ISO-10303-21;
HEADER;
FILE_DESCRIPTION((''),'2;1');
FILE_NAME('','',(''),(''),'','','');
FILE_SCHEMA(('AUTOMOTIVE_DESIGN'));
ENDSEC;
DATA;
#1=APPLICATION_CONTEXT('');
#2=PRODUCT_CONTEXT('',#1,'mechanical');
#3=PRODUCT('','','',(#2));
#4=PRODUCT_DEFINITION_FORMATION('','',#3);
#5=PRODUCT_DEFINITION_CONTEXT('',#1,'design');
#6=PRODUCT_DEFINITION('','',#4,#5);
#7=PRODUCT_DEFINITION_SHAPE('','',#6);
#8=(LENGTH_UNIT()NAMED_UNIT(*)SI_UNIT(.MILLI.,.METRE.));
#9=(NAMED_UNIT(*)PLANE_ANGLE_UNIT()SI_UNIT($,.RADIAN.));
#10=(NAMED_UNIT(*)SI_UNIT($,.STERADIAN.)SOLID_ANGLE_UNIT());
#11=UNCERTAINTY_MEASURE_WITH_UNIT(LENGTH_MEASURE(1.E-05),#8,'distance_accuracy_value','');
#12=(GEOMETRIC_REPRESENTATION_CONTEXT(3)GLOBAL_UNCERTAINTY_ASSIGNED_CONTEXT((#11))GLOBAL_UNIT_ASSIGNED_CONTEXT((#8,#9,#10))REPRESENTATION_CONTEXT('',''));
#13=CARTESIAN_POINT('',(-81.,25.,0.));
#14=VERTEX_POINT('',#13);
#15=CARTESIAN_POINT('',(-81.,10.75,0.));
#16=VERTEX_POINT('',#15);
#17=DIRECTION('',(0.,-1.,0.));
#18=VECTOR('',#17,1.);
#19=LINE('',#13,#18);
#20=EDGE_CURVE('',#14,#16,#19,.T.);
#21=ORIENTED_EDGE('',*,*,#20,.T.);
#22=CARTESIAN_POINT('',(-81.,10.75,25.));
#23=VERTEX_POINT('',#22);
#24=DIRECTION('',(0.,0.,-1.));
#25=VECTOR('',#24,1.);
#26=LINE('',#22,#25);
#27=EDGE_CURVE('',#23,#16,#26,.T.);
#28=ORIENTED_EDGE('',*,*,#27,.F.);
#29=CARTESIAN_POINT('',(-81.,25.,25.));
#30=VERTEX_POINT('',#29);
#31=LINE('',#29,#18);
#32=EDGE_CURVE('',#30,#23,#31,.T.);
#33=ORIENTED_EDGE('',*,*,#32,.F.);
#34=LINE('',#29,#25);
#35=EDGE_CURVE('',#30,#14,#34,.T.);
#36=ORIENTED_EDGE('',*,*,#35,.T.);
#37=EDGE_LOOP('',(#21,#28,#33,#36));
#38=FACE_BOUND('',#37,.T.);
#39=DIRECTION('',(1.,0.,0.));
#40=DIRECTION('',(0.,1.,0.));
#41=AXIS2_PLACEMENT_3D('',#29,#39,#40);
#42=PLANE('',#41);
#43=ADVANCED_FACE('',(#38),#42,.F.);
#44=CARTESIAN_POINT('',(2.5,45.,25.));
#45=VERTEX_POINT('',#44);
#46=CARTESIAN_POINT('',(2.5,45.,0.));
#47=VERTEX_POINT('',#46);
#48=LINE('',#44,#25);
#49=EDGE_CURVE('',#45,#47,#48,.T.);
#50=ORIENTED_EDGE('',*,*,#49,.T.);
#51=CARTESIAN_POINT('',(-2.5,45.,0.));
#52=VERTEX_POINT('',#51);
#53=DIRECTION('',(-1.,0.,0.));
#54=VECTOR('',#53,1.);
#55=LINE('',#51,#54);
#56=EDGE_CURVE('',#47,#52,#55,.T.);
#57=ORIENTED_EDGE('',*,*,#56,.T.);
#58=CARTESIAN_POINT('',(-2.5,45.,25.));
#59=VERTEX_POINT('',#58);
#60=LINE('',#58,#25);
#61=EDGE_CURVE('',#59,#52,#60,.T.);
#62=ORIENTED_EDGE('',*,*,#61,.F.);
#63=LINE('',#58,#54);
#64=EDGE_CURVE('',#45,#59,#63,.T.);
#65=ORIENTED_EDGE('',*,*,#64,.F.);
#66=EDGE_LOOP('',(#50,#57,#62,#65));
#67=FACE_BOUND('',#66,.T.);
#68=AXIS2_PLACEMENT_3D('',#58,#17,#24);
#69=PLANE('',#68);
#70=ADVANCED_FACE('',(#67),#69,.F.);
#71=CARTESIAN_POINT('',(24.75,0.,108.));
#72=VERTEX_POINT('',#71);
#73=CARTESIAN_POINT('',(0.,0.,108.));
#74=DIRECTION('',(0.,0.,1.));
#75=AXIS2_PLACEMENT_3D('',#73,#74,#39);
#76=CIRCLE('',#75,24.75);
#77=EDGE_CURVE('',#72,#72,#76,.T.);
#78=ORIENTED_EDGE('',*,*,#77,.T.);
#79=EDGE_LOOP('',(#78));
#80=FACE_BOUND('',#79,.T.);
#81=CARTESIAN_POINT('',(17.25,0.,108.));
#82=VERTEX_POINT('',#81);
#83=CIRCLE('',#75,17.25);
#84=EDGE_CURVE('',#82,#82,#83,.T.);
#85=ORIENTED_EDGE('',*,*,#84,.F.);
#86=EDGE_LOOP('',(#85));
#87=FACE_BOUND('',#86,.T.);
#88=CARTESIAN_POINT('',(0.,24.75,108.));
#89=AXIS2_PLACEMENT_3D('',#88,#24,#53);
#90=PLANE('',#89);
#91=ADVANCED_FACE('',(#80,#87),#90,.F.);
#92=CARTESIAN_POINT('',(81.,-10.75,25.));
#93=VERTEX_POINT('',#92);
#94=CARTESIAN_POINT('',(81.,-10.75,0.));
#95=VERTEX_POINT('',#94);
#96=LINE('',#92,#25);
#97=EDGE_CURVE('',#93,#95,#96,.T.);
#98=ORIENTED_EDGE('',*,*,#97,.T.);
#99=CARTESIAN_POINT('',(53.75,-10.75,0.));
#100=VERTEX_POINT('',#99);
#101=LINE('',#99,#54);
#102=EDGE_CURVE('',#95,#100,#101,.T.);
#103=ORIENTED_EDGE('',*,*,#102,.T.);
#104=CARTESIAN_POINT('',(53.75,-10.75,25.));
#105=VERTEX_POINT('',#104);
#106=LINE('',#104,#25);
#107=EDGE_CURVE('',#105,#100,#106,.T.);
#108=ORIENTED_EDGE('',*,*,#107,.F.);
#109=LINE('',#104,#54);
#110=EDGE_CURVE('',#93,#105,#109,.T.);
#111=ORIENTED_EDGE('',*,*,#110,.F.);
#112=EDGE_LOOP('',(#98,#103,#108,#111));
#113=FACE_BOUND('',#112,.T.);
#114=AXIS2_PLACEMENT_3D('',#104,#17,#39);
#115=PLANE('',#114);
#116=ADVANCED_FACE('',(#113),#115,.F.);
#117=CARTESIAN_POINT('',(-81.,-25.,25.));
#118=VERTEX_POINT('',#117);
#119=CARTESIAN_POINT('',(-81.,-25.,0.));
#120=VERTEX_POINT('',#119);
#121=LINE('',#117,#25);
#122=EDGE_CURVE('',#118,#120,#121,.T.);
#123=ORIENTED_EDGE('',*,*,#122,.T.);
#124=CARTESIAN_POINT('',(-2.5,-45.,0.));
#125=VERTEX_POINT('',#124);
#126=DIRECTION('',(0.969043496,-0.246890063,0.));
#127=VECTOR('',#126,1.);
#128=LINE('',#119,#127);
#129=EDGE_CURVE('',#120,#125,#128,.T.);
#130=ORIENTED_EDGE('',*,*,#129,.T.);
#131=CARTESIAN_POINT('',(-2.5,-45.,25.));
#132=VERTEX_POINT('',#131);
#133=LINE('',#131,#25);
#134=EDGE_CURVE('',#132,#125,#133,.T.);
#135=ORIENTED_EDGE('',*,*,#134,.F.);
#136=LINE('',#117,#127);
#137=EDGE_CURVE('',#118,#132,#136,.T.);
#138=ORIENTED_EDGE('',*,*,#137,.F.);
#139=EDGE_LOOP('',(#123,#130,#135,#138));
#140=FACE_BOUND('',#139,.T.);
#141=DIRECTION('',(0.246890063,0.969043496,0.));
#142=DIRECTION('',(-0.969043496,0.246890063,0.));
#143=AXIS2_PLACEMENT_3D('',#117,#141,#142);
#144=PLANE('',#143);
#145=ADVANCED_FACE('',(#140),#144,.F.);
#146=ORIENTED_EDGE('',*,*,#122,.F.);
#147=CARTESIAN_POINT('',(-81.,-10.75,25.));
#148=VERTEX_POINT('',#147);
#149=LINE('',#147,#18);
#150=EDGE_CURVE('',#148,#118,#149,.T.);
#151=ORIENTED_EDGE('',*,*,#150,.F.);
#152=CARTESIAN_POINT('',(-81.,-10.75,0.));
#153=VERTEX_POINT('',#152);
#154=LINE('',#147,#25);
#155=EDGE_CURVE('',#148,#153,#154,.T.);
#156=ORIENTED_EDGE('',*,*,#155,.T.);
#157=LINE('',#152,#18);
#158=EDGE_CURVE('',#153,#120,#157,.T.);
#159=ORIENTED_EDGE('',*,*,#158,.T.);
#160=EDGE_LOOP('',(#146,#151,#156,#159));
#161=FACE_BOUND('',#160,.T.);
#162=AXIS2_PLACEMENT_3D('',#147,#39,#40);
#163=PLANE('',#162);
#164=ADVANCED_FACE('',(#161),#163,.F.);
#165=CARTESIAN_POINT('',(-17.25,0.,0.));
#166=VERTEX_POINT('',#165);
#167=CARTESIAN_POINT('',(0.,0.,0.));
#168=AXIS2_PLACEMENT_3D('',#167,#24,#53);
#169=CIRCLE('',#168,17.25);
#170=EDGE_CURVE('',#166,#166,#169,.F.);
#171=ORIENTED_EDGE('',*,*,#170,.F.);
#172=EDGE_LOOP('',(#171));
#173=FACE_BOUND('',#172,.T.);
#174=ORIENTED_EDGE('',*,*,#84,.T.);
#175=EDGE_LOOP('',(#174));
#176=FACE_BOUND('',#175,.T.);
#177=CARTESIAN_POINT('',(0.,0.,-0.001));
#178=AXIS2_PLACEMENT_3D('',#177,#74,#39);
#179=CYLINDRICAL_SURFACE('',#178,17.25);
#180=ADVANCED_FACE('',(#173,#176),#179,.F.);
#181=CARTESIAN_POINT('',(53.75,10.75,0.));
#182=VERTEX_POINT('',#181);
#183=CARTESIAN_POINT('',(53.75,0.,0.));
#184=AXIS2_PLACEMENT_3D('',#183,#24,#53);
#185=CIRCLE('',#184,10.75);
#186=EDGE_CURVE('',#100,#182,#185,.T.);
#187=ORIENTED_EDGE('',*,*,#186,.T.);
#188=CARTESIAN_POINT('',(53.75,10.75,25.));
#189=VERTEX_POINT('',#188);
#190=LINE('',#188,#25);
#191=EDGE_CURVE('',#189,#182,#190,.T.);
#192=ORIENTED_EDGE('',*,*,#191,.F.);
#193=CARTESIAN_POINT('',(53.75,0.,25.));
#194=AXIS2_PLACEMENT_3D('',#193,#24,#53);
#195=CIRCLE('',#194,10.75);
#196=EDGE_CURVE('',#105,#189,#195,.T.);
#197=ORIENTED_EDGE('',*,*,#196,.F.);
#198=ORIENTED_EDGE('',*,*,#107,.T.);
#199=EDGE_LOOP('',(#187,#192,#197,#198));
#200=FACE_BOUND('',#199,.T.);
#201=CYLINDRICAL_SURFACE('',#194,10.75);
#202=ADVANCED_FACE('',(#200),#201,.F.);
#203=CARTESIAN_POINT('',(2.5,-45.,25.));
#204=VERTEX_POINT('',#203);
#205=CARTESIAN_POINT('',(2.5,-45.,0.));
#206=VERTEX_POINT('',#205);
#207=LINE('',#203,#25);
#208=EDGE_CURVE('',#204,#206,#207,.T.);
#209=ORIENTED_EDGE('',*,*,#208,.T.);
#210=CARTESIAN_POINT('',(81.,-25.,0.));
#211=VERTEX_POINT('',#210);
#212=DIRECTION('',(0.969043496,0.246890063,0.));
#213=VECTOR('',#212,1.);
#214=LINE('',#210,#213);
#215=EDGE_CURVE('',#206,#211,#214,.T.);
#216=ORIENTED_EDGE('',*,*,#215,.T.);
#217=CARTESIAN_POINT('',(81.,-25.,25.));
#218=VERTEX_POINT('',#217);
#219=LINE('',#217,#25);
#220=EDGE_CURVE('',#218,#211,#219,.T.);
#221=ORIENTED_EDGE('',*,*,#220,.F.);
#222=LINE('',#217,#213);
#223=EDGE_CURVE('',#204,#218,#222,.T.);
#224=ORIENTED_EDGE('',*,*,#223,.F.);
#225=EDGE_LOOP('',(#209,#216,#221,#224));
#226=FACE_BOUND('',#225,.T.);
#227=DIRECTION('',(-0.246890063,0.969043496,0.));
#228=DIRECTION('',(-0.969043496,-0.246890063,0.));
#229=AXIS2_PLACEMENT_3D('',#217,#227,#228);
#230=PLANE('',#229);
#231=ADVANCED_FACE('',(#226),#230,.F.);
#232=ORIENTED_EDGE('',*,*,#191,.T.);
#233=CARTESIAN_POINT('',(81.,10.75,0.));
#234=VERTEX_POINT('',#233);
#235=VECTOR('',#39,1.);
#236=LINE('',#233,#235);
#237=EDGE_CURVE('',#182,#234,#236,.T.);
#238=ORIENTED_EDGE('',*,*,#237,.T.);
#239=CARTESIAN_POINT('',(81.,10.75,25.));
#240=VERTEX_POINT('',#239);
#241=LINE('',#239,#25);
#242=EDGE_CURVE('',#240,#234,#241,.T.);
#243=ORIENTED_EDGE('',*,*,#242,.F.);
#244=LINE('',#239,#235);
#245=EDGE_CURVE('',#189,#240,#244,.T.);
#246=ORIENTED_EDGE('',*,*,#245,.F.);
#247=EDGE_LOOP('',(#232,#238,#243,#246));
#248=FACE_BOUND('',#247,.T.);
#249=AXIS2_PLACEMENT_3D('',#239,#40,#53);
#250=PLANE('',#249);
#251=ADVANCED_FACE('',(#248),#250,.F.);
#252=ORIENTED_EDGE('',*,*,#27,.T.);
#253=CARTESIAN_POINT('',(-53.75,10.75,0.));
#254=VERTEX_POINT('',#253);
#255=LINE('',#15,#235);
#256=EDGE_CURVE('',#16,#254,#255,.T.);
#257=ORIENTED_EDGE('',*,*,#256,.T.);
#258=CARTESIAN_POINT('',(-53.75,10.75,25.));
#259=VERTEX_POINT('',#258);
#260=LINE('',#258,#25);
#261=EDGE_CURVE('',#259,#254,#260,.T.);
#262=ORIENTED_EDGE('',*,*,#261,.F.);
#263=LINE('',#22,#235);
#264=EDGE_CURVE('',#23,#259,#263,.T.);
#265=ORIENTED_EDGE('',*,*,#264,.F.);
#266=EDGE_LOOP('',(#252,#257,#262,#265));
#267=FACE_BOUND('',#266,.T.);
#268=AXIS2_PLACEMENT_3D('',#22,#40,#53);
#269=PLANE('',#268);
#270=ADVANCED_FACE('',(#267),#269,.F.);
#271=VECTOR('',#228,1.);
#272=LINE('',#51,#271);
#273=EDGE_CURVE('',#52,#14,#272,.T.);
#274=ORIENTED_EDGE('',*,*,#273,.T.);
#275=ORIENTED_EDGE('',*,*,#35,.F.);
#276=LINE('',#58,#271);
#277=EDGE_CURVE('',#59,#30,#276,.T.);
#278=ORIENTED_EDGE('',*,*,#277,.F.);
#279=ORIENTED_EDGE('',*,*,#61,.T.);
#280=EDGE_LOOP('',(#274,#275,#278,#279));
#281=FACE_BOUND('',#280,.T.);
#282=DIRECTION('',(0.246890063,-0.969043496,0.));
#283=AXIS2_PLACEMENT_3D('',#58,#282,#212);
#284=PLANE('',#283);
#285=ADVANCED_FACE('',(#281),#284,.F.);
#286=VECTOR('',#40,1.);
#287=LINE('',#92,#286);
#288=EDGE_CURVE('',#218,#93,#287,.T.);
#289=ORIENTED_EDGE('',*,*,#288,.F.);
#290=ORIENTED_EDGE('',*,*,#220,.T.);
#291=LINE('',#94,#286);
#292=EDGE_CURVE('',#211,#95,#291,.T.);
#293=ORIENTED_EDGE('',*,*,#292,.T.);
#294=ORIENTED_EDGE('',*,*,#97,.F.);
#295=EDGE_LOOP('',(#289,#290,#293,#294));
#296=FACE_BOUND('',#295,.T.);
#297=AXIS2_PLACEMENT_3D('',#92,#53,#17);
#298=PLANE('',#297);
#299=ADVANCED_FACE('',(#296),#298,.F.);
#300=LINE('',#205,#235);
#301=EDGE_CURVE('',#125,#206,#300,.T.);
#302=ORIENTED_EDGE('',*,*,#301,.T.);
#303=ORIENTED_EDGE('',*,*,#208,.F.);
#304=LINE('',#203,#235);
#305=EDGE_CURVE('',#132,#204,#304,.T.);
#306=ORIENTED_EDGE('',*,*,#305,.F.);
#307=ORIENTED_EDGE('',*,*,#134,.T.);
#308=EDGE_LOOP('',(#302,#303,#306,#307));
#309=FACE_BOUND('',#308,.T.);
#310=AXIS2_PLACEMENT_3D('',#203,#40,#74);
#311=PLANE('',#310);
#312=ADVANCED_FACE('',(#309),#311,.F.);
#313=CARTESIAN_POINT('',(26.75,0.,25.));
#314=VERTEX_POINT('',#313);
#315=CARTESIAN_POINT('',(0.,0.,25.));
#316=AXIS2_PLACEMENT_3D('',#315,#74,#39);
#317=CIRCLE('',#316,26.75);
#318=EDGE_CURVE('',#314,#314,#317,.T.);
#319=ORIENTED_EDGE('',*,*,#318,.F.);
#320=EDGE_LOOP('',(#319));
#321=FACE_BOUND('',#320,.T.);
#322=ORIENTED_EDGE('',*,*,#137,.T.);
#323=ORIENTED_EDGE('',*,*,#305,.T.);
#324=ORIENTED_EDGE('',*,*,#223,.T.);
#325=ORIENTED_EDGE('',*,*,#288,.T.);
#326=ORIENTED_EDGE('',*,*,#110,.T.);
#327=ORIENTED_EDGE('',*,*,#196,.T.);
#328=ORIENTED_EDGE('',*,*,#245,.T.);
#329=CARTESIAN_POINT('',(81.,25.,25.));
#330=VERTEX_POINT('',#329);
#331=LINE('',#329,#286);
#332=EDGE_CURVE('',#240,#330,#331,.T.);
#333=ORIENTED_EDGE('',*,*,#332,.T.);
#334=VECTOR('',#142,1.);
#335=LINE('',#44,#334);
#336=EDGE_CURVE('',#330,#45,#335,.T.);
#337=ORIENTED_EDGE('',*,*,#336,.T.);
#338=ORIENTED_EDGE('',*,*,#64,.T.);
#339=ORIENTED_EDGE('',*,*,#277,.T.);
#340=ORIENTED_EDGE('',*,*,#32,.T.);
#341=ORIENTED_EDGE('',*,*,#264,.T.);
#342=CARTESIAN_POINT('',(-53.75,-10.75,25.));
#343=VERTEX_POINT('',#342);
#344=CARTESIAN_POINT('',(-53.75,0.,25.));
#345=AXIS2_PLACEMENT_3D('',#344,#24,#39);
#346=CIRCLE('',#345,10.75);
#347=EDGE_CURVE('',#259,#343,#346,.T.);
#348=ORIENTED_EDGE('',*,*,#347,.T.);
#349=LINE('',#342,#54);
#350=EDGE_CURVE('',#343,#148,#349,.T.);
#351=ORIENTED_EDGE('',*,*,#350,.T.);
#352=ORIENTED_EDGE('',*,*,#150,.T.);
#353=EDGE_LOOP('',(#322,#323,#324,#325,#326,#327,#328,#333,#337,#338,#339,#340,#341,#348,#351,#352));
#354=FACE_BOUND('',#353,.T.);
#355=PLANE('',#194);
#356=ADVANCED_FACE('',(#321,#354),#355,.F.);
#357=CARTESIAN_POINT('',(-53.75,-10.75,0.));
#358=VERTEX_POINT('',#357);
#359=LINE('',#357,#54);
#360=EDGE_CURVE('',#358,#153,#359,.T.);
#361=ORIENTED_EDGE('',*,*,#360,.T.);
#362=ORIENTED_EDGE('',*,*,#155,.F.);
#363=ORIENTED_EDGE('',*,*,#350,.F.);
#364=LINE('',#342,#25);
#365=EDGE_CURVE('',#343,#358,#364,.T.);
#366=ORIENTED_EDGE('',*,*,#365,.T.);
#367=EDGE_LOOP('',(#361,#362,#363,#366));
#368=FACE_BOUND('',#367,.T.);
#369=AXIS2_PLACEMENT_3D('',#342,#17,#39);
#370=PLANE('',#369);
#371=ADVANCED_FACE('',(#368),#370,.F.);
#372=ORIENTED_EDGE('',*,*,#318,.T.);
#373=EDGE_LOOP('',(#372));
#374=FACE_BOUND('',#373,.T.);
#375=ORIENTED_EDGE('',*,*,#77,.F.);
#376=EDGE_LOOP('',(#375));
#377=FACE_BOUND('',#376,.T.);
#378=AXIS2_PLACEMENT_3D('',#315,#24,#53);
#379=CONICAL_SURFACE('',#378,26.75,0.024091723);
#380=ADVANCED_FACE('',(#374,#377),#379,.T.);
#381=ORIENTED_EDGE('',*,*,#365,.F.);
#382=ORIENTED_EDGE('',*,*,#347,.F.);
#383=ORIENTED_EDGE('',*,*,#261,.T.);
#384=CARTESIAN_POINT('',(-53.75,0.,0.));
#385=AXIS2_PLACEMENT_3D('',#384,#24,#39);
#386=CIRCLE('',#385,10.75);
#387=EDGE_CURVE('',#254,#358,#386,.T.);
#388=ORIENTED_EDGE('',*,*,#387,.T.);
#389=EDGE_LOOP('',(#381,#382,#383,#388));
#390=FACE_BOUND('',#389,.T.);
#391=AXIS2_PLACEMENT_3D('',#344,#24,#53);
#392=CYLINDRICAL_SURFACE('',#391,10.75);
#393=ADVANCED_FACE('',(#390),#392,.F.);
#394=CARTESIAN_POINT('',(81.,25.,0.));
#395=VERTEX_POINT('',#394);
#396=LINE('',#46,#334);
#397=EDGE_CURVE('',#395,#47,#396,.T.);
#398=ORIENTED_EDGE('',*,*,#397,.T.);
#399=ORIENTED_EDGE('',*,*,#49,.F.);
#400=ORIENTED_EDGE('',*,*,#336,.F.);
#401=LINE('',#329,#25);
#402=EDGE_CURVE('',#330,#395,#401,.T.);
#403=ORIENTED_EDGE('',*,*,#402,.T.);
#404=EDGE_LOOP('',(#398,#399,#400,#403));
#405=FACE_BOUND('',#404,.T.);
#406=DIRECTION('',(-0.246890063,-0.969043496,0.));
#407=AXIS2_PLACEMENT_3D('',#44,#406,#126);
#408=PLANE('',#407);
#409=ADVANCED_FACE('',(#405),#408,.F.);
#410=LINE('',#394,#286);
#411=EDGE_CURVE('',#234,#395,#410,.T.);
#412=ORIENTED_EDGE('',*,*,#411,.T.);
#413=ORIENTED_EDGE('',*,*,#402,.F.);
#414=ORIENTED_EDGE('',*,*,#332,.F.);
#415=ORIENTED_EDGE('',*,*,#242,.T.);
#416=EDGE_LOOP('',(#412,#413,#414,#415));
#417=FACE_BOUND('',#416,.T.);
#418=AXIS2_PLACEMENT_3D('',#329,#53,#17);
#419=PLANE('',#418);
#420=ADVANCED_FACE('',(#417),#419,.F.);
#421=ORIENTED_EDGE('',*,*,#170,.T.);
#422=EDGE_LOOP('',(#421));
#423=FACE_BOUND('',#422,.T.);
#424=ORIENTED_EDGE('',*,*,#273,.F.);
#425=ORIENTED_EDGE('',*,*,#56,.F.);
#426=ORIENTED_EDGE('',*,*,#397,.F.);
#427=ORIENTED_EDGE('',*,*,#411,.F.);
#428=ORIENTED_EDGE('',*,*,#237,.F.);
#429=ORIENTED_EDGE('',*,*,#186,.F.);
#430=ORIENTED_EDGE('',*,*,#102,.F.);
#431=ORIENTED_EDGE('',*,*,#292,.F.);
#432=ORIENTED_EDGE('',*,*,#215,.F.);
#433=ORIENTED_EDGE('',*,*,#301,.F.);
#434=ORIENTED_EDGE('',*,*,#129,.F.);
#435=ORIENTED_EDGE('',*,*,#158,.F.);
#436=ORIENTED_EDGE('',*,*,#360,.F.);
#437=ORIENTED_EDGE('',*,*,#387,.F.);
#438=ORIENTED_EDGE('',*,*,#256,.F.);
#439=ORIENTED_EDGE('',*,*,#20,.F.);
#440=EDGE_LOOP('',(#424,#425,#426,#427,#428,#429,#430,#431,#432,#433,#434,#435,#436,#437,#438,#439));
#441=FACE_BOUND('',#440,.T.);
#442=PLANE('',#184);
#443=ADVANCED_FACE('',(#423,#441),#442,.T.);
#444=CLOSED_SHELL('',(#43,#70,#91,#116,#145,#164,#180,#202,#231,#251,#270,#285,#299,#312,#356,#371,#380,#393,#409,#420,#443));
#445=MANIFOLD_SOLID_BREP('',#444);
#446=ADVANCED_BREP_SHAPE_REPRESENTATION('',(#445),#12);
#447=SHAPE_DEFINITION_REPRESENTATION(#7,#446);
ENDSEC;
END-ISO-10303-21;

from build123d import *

# Parameters (mm, degrees)
BOSS_EXTRUDE1_DEPTH = 25
CUT_EXTRUDE1_REACH  = 144.302
SKETCH4_R           = 17.25


with BuildPart() as part:
    # Sketch1 → Boss-Extrude1 (new body)
    with BuildSketch(Plane.XY):
        with BuildLine():
            Line((-2.5, 45), (2.5, 45))
            Line((2.5, 45), (81, 25))
            Line((81, 25), (81, 10.75))
            Line((81, 10.75), (53.75, 10.75))
            ThreePointArc((53.75, 10.75), (43, 0), (53.75, -10.75))
            Line((53.75, -10.75), (81, -10.75))
            Line((81, -10.75), (81, -25))
            Line((81, -25), (2.5, -45))
            Line((2.5, -45), (-2.5, -45))
            Line((-2.5, -45), (-81, -25))
            Line((-81, -25), (-81, -10.75))
            Line((-81, -10.75), (-53.75, -10.75))
            ThreePointArc((-53.75, -10.75), (-43, 0), (-53.75, 10.75))
            Line((-53.75, 10.75), (-81, 10.75))
            Line((-81, 10.75), (-81, 25))
            Line((-81, 25), (-2.5, 45))
        make_face()
    extrude(amount=BOSS_EXTRUDE1_DEPTH)

    # Sketch3 → Revolve1 (revolve)
    with BuildSketch(Plane(origin=(0, 0, 0), x_dir=(0, 0, -1), z_dir=(1, 0, 0))):
        Polygon((-25, 26.75), (-108, 24.75), (-108, 0), (-25, 0), align=None)
    revolve(axis=Axis((0, 0, 220.421976321), (0, 0, -1)))

    # Sketch4 → Cut-Extrude1 (cut, up to next)
    with BuildSketch(Plane.XY.offset(108), mode=Mode.PRIVATE) as cut_extrude1_sk1:
        Circle(SKETCH4_R)
    cut_extrude1_tool1 = extrude(cut_extrude1_sk1.sketch, amount=-CUT_EXTRUDE1_REACH, mode=Mode.PRIVATE) & part.part
    add(cut_extrude1_tool1.solids().sort_by_distance((0, 0, 108))[0], mode=Mode.SUBTRACT)


solid = part.part
